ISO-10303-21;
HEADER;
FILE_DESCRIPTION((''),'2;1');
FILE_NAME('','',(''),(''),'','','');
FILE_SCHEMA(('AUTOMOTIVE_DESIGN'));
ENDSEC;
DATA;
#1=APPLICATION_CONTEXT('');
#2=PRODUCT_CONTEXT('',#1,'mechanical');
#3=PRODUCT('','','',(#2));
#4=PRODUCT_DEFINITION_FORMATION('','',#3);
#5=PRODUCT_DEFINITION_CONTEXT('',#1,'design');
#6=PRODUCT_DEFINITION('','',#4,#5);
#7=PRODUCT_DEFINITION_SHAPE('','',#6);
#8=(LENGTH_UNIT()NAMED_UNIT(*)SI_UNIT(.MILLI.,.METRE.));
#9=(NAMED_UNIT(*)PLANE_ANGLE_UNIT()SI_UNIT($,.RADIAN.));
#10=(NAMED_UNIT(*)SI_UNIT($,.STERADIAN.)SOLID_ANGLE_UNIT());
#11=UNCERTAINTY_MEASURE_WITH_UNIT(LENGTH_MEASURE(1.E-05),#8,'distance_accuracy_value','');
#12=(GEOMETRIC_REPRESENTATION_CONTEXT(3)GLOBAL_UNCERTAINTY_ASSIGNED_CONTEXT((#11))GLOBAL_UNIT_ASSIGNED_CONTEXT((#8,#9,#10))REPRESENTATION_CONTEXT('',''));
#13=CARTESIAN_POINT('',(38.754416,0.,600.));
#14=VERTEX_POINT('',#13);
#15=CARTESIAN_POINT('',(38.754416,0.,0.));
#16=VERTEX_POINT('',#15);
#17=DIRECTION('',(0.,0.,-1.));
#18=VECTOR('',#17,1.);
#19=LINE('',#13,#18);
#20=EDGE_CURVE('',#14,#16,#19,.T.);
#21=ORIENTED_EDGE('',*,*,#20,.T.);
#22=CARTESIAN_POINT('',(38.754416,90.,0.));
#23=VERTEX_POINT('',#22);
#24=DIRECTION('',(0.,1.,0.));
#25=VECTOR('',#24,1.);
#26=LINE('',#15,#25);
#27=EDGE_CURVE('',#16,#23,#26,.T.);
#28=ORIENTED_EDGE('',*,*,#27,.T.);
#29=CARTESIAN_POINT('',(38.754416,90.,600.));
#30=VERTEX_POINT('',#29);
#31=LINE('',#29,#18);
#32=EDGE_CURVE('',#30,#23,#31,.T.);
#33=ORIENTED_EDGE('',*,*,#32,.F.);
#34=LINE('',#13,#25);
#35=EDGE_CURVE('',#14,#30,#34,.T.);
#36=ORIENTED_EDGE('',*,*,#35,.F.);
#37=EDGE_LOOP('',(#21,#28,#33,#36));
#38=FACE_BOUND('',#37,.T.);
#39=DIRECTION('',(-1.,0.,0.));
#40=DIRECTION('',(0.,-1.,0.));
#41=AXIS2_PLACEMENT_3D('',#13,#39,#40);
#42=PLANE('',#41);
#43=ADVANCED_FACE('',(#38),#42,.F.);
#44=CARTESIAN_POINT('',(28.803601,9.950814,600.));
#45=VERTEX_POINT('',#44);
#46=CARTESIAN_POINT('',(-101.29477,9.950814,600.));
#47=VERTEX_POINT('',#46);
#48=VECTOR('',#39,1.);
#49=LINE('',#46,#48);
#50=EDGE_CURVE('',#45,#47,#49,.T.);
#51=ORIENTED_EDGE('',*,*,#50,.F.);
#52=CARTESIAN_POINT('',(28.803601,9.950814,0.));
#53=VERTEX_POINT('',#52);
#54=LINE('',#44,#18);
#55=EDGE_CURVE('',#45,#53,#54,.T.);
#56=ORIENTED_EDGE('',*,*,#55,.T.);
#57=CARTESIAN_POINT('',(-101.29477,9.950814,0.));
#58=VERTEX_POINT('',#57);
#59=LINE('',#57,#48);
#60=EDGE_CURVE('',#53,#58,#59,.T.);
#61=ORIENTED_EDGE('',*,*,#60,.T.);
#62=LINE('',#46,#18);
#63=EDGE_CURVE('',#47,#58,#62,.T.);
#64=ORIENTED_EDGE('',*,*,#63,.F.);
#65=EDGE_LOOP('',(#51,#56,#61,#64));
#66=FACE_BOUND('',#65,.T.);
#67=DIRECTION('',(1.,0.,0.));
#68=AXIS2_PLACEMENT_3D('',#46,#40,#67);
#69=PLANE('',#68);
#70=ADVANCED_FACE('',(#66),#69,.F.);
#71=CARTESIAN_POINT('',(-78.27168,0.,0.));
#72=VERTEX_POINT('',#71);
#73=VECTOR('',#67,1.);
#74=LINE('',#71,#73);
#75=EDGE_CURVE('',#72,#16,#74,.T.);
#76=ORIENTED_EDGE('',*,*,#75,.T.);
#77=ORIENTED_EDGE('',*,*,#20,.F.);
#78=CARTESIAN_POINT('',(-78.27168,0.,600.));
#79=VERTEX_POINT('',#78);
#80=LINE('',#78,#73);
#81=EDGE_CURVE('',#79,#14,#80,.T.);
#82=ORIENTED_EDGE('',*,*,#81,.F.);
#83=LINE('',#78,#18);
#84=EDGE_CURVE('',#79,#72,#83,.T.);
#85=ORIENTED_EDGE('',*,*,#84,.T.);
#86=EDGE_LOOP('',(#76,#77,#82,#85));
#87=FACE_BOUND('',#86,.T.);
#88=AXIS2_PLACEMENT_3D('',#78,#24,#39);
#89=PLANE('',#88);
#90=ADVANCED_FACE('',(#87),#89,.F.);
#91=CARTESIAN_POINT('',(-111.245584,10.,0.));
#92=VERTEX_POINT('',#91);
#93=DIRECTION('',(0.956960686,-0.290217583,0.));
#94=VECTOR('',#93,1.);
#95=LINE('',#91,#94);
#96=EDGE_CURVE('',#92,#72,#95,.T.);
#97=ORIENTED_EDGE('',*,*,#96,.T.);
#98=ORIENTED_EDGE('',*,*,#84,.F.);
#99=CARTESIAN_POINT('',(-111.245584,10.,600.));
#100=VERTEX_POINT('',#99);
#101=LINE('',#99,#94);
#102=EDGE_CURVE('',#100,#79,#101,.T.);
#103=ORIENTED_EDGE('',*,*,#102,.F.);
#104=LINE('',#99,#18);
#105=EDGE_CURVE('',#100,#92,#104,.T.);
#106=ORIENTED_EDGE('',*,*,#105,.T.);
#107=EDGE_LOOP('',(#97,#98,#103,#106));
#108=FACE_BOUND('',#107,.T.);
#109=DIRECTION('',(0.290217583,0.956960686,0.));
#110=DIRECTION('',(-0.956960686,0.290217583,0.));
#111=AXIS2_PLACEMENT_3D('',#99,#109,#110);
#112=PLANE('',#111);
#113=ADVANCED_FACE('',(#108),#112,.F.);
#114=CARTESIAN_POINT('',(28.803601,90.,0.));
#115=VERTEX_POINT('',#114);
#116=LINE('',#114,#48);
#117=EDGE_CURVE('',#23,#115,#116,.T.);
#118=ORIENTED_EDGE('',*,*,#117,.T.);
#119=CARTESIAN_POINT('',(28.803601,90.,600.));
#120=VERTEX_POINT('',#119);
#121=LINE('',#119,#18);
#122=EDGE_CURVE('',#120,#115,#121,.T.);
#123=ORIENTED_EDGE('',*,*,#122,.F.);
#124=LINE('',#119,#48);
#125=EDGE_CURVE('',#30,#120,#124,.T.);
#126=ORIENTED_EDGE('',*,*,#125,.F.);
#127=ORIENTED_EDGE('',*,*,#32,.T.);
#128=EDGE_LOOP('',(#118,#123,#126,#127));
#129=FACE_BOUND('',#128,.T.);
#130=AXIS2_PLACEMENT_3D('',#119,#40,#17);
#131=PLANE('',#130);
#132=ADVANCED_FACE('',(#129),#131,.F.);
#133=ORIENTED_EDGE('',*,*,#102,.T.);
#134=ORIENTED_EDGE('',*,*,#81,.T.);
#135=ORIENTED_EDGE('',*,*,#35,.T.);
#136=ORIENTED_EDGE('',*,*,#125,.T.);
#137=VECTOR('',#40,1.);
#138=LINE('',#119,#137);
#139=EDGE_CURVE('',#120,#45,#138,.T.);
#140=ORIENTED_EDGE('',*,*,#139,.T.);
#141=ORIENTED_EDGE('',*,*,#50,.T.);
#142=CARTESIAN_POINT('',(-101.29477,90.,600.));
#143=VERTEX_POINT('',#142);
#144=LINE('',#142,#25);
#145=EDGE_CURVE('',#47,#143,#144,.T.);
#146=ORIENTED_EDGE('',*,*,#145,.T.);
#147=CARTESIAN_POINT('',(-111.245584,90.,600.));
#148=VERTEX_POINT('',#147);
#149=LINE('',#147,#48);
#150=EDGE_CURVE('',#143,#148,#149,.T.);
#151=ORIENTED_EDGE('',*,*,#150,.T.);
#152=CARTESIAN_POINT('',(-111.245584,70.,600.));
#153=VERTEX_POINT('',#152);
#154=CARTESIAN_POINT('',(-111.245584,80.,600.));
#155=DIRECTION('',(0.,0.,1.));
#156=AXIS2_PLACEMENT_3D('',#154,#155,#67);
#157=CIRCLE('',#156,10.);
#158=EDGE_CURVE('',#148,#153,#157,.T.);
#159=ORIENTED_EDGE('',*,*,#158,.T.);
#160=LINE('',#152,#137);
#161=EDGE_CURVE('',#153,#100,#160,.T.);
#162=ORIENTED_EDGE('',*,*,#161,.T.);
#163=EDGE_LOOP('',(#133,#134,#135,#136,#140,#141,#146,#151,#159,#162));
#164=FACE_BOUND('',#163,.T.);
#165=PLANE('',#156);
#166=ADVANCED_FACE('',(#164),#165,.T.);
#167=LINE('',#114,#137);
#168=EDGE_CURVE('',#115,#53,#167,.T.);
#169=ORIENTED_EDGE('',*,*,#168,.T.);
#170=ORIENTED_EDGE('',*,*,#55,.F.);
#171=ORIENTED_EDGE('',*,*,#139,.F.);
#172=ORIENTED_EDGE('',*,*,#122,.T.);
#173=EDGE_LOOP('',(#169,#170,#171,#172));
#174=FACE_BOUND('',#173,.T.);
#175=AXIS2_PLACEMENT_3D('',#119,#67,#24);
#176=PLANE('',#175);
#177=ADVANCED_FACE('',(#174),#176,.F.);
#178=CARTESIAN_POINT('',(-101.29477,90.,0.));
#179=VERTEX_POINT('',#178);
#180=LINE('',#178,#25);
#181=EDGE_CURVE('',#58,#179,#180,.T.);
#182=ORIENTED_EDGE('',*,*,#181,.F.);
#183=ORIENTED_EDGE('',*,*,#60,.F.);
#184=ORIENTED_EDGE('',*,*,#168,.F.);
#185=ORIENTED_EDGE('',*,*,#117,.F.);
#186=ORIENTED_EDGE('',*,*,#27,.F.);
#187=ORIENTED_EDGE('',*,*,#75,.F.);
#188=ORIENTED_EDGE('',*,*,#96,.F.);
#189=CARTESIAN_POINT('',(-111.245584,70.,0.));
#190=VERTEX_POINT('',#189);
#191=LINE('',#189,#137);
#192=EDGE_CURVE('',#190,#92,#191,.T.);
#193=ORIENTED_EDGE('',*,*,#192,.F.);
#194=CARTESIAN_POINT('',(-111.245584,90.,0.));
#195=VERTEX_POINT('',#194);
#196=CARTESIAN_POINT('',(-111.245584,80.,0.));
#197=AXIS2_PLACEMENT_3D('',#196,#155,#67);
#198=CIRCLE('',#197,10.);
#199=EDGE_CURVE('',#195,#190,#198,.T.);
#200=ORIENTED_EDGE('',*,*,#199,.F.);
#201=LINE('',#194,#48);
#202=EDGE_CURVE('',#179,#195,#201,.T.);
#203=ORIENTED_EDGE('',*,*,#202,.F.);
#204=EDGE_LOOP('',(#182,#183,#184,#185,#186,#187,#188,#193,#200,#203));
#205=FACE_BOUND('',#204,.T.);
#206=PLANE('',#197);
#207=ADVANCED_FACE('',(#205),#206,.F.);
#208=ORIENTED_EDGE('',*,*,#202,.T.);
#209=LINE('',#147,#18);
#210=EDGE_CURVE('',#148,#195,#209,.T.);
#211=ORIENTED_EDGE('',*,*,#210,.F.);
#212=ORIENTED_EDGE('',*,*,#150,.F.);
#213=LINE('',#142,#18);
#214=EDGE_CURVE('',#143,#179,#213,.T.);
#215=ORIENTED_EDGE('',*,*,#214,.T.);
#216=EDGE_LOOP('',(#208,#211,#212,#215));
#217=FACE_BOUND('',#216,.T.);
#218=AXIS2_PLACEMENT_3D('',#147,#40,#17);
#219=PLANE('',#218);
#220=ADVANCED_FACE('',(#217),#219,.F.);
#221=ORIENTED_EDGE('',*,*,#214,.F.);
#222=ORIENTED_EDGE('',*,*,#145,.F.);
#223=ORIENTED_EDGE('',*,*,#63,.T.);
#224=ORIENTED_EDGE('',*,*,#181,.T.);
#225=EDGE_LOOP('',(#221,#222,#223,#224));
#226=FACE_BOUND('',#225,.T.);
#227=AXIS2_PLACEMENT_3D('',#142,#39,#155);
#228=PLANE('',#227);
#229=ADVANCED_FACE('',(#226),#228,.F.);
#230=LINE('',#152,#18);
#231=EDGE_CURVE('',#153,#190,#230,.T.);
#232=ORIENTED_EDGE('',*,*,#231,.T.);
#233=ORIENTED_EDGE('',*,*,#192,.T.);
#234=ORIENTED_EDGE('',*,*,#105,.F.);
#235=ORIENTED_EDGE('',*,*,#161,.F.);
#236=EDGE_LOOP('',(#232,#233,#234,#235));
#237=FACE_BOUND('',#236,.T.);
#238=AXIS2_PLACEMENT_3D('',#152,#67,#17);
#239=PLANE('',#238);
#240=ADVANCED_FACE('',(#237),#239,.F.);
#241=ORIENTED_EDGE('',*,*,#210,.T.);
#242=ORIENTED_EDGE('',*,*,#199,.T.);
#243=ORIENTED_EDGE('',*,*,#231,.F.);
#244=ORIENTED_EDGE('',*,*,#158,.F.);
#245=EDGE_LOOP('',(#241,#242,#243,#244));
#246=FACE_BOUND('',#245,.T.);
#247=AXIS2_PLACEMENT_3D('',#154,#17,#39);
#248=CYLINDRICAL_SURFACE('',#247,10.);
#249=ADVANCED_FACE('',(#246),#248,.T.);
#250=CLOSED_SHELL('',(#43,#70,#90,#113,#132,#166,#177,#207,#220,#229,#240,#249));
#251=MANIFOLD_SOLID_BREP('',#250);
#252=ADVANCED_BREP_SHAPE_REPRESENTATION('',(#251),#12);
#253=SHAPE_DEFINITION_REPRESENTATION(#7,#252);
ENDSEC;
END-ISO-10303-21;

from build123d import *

# Parameters (mm, degrees)
EXTRUDE_1_DEPTH = 600


with BuildPart() as part:
    # 草圖1 → 填料-伸長1 (new body)
    with BuildSketch(Plane.XY):
        with BuildLine():
            Line((-111.245584272, 70), (-111.245584272, 10))
            Line((-111.245584272, 10), (-78.271679835, 0))
            Line((-78.271679835, 0), (38.754415728, 0))
            Line((38.754415728, 0), (38.754415728, 90))
            Line((38.754415728, 90), (28.803601488, 90))
            Line((28.803601488, 90), (28.803601488, 9.95081424))
            Line((28.803601488, 9.95081424), (-101.294770031, 9.95081424))
            Line((-101.294770031, 9.95081424), (-101.294770031, 90))
            Line((-101.294770031, 90), (-111.245584272, 90))
            ThreePointArc((-111.245584272, 90), (-121.245584272, 80), (-111.245584272, 70))
        make_face()
    extrude(amount=EXTRUDE_1_DEPTH)


solid = part.part
